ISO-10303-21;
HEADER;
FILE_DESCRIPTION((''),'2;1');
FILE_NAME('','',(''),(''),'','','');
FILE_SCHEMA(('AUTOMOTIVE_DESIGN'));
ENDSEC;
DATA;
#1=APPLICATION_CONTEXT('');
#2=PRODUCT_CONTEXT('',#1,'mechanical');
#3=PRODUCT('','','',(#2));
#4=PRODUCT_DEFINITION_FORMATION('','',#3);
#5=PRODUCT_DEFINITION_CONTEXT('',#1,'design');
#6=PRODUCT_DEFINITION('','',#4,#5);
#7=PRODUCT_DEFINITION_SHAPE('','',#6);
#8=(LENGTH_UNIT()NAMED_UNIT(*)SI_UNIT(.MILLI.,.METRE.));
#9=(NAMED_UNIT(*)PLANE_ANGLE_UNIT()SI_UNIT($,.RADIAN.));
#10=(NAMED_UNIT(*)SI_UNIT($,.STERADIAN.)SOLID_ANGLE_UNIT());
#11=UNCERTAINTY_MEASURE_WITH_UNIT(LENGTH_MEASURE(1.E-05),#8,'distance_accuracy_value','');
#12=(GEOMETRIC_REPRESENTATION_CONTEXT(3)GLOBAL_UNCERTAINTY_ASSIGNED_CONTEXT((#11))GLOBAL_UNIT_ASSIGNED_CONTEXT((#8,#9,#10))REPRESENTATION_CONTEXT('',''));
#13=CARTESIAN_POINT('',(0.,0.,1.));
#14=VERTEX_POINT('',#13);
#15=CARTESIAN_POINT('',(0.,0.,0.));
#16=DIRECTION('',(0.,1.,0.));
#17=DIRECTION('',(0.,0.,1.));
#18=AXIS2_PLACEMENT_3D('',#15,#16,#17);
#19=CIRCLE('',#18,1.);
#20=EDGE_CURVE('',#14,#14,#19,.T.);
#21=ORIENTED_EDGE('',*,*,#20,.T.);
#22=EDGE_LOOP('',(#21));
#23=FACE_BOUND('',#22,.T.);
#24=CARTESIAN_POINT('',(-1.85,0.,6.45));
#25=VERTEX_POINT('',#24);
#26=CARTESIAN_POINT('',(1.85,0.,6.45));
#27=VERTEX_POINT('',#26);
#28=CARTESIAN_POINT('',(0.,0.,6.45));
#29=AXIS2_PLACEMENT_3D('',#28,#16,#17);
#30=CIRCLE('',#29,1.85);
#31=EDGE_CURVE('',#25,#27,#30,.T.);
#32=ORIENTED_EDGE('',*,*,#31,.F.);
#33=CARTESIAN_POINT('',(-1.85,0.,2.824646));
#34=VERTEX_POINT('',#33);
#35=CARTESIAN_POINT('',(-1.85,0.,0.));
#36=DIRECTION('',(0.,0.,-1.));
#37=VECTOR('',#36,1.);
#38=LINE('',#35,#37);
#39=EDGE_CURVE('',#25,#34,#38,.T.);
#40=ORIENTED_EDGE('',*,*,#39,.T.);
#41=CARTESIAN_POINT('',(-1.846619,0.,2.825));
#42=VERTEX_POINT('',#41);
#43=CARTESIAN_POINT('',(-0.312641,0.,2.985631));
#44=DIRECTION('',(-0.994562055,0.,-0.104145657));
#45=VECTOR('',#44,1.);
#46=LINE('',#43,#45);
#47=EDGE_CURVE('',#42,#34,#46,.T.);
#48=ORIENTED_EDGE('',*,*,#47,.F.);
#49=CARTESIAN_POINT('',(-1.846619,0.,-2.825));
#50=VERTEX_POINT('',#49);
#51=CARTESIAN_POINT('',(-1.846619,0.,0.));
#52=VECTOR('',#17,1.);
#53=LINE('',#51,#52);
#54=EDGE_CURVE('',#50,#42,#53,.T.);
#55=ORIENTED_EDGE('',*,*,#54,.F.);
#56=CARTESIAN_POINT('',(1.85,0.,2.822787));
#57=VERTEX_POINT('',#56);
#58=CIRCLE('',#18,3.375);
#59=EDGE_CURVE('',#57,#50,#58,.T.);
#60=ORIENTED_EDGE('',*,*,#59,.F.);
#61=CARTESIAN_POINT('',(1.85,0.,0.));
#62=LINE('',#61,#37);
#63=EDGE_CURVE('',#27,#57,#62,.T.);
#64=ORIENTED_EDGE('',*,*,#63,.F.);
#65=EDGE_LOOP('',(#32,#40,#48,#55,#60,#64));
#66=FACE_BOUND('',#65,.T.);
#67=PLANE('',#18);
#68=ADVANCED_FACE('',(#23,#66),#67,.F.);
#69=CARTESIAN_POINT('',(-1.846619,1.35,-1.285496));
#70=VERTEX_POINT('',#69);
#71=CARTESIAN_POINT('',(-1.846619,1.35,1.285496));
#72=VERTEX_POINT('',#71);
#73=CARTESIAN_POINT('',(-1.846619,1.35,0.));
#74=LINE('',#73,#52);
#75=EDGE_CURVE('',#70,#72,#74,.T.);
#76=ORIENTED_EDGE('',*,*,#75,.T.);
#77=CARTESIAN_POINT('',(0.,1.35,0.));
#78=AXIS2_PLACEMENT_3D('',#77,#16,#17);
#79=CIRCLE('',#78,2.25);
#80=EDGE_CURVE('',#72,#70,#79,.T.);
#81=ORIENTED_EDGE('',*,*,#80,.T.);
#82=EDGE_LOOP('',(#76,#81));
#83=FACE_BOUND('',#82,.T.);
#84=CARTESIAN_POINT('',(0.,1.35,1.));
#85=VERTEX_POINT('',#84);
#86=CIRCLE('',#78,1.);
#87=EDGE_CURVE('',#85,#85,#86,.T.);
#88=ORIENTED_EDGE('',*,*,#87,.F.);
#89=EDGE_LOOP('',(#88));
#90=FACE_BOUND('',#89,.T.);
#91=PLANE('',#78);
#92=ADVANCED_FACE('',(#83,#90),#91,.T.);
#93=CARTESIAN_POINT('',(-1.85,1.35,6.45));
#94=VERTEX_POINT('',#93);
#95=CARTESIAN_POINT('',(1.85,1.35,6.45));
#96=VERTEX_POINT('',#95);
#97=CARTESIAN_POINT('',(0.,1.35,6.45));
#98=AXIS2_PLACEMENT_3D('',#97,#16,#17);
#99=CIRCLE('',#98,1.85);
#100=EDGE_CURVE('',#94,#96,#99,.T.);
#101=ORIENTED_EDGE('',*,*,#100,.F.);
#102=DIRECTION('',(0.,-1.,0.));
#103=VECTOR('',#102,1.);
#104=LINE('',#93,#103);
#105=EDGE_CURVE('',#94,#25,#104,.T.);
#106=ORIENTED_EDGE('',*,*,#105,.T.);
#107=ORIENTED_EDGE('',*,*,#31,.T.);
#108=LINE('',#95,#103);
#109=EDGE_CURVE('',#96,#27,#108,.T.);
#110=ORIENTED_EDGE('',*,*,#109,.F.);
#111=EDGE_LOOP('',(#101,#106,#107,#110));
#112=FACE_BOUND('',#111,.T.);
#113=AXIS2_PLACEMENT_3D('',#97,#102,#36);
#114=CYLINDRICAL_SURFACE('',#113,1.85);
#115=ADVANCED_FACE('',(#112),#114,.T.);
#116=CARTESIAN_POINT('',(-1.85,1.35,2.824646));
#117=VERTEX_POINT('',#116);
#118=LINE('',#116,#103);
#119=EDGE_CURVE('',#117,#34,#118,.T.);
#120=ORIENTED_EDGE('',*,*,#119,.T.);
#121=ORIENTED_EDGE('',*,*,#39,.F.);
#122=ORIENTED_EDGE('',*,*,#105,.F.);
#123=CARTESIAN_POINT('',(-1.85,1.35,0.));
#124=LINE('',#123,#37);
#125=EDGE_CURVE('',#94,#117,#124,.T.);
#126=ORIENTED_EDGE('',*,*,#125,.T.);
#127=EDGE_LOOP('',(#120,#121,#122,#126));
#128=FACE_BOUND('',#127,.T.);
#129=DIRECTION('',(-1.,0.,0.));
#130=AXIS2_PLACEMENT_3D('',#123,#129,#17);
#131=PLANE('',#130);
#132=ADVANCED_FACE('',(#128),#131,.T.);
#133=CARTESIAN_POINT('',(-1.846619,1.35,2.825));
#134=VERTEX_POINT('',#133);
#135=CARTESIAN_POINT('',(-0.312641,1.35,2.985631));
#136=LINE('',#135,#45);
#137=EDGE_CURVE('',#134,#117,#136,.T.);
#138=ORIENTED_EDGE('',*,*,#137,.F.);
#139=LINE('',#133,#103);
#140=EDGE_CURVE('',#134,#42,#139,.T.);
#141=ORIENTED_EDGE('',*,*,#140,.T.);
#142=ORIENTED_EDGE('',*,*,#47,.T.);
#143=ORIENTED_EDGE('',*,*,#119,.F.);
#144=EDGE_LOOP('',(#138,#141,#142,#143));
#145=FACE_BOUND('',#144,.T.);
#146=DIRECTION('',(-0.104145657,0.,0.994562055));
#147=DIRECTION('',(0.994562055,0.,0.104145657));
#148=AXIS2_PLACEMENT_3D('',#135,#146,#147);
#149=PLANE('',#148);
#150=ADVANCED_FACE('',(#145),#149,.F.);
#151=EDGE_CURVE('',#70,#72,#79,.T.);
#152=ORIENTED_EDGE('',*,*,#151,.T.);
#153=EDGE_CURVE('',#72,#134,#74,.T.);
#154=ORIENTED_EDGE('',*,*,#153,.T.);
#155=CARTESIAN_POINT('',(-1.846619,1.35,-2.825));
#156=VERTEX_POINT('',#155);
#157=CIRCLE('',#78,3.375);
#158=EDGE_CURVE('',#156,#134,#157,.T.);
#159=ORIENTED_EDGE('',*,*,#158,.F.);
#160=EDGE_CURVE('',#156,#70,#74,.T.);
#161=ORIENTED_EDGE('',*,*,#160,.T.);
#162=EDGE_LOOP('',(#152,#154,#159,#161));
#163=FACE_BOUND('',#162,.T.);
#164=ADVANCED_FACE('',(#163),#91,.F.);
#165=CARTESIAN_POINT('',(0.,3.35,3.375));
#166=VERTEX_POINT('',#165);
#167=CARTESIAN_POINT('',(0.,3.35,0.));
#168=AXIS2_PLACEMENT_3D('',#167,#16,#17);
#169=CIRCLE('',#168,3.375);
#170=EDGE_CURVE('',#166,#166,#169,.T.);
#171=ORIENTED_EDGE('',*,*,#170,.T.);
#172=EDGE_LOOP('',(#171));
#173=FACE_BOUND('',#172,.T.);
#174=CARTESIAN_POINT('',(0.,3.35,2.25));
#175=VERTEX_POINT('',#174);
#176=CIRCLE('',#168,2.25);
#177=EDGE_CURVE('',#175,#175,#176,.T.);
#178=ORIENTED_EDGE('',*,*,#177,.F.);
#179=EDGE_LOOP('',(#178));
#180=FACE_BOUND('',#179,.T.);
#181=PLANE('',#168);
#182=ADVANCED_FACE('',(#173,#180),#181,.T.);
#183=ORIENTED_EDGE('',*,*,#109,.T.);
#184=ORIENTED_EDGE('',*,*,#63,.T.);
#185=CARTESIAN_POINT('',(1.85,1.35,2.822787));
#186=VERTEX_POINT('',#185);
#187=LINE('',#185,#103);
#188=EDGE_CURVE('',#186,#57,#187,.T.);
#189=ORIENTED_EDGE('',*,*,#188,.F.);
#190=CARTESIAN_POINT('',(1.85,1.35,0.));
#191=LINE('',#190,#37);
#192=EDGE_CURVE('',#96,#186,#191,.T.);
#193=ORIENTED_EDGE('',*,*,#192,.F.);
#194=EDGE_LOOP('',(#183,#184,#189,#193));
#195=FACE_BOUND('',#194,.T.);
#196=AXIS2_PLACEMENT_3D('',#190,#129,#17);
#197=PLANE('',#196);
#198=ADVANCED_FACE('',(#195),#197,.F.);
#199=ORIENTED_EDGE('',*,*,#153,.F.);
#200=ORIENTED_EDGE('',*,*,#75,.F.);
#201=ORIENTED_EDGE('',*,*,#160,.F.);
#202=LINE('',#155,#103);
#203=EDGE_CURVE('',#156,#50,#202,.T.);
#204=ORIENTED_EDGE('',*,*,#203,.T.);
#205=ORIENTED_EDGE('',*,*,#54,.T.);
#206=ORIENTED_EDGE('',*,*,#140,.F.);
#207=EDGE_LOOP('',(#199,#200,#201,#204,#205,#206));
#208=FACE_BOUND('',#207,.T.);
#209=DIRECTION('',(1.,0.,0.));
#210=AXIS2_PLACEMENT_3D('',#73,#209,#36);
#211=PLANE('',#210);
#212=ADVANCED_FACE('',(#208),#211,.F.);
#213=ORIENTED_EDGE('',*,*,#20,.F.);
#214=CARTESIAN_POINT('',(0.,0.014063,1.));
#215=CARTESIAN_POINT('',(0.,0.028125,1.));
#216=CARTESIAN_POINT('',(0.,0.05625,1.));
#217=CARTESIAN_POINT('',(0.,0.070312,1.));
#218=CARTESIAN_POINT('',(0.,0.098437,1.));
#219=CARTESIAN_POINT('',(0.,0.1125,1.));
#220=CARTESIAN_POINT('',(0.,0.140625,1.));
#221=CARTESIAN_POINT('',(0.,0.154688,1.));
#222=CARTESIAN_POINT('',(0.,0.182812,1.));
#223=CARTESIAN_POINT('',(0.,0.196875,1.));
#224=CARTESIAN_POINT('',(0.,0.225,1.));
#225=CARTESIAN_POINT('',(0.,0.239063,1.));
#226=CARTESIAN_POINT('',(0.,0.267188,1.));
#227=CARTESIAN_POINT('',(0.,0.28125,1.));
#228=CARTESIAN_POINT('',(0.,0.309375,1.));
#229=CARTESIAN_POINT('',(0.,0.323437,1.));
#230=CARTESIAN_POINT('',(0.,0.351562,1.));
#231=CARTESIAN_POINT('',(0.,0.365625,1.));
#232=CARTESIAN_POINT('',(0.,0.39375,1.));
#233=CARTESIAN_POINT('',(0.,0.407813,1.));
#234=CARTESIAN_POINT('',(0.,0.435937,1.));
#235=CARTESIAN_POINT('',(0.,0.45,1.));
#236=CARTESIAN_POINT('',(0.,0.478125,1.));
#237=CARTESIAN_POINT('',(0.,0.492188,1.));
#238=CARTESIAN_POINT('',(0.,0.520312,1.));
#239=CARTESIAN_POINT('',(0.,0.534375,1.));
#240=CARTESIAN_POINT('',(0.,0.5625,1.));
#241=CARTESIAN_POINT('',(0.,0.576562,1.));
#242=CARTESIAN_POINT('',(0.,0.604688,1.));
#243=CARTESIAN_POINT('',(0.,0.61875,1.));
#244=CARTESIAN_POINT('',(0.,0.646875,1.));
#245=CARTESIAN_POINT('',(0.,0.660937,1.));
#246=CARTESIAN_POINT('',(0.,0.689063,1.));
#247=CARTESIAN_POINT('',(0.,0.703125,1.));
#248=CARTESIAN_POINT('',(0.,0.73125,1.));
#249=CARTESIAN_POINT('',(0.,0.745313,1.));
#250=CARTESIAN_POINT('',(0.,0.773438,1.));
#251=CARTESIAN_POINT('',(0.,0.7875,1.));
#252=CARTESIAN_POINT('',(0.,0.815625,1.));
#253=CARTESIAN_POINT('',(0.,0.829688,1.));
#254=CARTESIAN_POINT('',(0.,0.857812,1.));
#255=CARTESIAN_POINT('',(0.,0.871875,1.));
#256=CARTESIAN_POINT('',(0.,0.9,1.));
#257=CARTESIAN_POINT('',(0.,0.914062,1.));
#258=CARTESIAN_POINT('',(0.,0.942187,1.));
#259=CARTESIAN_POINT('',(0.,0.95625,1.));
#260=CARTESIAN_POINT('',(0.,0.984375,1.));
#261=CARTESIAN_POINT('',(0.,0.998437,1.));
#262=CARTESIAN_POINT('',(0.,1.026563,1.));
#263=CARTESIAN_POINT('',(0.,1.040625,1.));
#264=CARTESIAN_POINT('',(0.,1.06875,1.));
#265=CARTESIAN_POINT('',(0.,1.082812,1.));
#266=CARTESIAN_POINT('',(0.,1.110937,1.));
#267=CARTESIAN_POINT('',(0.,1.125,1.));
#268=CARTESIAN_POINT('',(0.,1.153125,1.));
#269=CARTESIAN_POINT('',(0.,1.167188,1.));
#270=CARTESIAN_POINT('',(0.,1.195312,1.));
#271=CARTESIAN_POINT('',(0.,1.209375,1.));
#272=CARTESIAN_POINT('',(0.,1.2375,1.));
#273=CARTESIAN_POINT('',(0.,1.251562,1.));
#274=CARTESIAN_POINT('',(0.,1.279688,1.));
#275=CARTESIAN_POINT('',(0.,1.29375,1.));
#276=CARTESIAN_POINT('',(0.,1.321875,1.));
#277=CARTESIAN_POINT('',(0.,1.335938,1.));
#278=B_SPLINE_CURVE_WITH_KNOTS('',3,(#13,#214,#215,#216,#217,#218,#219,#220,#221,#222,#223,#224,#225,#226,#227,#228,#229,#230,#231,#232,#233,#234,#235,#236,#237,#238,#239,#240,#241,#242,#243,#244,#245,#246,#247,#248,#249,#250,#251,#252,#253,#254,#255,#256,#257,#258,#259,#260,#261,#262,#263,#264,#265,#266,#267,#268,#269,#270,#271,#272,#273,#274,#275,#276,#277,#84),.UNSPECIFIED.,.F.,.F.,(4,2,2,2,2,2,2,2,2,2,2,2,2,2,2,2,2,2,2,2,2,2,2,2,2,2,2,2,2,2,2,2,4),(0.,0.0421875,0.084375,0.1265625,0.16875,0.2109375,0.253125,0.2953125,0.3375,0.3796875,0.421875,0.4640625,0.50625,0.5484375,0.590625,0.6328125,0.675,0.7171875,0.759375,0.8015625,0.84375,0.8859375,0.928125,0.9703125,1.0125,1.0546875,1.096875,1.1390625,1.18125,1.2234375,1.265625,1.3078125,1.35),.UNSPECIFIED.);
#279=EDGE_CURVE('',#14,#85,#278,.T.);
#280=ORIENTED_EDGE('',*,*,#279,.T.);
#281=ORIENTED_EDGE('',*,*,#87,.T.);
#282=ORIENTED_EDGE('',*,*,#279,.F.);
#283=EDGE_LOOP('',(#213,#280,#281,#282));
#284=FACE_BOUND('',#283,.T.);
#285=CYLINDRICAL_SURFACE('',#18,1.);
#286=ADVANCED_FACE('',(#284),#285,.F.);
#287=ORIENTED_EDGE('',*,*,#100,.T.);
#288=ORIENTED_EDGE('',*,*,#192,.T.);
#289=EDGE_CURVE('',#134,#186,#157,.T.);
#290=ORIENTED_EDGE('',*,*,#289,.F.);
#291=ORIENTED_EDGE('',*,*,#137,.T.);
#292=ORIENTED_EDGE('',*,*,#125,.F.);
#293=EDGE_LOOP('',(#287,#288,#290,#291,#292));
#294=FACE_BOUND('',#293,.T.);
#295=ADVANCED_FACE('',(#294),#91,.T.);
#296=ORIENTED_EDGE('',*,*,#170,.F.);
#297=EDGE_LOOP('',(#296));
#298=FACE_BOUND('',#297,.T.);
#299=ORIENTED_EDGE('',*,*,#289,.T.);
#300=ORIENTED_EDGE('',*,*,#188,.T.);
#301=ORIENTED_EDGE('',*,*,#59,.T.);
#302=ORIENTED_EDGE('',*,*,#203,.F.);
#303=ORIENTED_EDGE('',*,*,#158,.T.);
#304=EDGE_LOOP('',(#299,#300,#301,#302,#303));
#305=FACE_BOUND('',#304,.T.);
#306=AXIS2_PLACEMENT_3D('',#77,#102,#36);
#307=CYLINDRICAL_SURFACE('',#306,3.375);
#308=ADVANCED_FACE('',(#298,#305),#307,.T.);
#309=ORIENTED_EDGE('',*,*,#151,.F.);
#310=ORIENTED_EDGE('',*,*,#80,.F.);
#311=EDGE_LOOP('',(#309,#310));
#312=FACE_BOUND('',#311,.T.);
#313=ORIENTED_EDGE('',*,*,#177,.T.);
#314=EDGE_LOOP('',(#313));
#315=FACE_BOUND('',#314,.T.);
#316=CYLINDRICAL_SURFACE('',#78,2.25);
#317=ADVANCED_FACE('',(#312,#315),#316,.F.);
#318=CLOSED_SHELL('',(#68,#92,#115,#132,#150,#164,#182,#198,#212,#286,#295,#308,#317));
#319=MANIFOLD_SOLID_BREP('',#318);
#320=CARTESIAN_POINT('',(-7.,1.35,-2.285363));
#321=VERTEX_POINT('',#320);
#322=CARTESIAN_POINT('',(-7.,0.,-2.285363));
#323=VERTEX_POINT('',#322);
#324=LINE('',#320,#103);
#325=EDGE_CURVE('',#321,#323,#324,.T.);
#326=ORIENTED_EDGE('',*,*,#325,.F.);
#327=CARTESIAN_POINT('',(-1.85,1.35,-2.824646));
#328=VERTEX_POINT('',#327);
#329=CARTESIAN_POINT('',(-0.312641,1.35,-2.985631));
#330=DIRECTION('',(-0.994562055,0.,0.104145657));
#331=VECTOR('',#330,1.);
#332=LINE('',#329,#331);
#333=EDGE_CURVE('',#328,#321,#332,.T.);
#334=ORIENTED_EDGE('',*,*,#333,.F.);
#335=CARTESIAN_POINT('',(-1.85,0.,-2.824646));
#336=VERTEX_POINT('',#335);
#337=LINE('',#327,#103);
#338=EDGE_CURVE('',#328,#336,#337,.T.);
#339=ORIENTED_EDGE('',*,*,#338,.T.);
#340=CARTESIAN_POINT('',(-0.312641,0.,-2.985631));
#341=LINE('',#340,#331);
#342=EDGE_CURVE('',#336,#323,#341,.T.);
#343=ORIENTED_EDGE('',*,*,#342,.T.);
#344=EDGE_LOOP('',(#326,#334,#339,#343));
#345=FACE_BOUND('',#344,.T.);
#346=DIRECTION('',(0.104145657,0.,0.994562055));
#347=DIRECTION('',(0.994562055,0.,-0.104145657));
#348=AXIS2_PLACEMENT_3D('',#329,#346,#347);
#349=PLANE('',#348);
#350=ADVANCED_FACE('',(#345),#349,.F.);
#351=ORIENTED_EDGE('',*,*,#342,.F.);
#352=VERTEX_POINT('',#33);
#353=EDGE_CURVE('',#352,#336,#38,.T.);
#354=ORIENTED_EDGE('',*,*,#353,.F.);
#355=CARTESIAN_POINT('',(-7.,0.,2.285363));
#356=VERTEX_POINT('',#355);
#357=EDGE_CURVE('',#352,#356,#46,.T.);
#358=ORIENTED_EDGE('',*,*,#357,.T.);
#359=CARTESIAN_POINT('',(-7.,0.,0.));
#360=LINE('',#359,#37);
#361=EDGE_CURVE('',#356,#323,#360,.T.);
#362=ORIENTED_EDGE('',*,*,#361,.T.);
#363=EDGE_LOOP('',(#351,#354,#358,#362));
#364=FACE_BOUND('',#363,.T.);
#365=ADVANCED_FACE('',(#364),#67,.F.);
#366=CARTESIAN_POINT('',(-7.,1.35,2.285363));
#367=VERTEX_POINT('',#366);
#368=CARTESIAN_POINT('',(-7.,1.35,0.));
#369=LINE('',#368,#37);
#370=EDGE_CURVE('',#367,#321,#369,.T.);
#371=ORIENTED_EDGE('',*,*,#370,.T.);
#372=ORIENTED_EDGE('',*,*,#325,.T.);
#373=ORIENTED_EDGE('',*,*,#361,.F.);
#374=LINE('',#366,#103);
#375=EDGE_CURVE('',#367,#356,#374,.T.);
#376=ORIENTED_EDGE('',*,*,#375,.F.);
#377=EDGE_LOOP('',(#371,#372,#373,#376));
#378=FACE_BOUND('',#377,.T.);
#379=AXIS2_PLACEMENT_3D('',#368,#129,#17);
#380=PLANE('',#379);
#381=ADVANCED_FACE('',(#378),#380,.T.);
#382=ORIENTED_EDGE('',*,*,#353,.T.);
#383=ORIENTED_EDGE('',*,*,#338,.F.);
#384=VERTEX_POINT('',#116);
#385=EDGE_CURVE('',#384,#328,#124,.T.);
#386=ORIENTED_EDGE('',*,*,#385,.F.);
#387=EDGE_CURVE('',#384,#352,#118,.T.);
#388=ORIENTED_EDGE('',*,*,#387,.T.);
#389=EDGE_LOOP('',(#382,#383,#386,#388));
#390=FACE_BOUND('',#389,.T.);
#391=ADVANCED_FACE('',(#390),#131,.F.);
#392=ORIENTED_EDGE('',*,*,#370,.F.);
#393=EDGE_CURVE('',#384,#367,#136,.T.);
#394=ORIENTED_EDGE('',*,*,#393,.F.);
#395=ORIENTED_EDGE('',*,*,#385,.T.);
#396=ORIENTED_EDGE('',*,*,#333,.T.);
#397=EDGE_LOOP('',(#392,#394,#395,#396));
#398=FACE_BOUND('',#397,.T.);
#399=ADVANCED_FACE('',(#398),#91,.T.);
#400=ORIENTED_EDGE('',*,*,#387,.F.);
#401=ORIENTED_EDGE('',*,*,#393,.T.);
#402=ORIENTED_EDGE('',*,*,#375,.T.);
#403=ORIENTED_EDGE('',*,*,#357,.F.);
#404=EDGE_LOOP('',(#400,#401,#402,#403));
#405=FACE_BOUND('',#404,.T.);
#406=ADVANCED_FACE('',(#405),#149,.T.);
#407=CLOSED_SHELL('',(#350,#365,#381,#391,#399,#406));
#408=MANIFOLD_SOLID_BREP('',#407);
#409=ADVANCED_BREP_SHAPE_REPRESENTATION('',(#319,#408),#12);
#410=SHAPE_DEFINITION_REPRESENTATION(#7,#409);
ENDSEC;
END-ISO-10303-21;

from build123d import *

# Parameters (mm, degrees)
ESTRUSIONE_ESTRUSIONE1_DEPTH   = 1.35
ESTRUSIONE_ESTRUSIONE1_2_DEPTH = 1.35
SCHIZZO2_R                     = 3.375
ESTRUSIONE_ESTRUSIONE2_DEPTH   = 2
SCHIZZO4_R                     = 2.25
TAGLIO_ESTRUSIONE1_DEPTH       = 2
SCHIZZO5_R                     = 1
TAGLIO_ESTRUSIONE2_DEPTH       = 12.040380428


with BuildPart() as part:
    # Schizzo1 → Estrusione-Estrusione1 (new body)
    with BuildSketch(Plane(origin=(0, 0, 0), x_dir=(1, 0, 0), z_dir=(0, 1, 0))):
        Polygon((-1.85, 2.824645909), (-7, 2.285363187), (-7, -2.285363187), (-1.85, -2.824645909), align=None)
    extrude(amount=ESTRUSIONE_ESTRUSIONE1_DEPTH)


with BuildPart() as body_2:
    # Schizzo1 → Estrusione-Estrusione1 2 (new body)
    with BuildSketch(Plane(origin=(0, 0, 0), x_dir=(1, 0, 0), z_dir=(0, 1, 0))):
        with BuildLine():
            Line((-1.846618531, 2.825), (-1.846618531, -2.825))
            Line((-1.846618531, -2.825), (-1.85, -2.824645909))
            Line((-1.85, -2.824645909), (-1.85, -6.45))
            ThreePointArc((-1.85, -6.45), (0, -8.3), (1.85, -6.45))
            Line((1.85, -6.45), (1.85, -2.822786744))
            ThreePointArc((1.85, -2.822786744), (2.823893878, 1.848309597), (-1.846618531, 2.825))
        make_face()
    extrude(amount=ESTRUSIONE_ESTRUSIONE1_2_DEPTH)

    # Schizzo2 → Estrusione-Estrusione2 (add)
    with BuildSketch(Plane(origin=(0, 1.35, 0), x_dir=(1, 0, 0), z_dir=(0, 1, 0))):
        with Locations(Location((0, 0, 0), (0, 0, 123.171451951))):
            Circle(SCHIZZO2_R)
    extrude(amount=ESTRUSIONE_ESTRUSIONE2_DEPTH)

    # Schizzo4 → Taglio-Estrusione1 (cut)
    with BuildSketch(Plane(origin=(0, 3.35, 0), x_dir=(1, 0, 0), z_dir=(0, 1, 0))):
        with Locations(Location((0, 0, 0), (0, 0, 270))):
            Circle(SCHIZZO4_R)
    extrude(amount=-TAGLIO_ESTRUSIONE1_DEPTH, mode=Mode.SUBTRACT)

    # Schizzo5 → Taglio-Estrusione2 (cut, through all)
    with BuildSketch(Plane(origin=(0, 1.35, 0), x_dir=(1, 0, 0), z_dir=(0, 1, 0))):
        with Locations(Location((0, 0, 0), (0, 0, 270))):
            Circle(SCHIZZO5_R)
    extrude(amount=-TAGLIO_ESTRUSIONE2_DEPTH, mode=Mode.SUBTRACT)


solid = Compound([part.part, body_2.part])
